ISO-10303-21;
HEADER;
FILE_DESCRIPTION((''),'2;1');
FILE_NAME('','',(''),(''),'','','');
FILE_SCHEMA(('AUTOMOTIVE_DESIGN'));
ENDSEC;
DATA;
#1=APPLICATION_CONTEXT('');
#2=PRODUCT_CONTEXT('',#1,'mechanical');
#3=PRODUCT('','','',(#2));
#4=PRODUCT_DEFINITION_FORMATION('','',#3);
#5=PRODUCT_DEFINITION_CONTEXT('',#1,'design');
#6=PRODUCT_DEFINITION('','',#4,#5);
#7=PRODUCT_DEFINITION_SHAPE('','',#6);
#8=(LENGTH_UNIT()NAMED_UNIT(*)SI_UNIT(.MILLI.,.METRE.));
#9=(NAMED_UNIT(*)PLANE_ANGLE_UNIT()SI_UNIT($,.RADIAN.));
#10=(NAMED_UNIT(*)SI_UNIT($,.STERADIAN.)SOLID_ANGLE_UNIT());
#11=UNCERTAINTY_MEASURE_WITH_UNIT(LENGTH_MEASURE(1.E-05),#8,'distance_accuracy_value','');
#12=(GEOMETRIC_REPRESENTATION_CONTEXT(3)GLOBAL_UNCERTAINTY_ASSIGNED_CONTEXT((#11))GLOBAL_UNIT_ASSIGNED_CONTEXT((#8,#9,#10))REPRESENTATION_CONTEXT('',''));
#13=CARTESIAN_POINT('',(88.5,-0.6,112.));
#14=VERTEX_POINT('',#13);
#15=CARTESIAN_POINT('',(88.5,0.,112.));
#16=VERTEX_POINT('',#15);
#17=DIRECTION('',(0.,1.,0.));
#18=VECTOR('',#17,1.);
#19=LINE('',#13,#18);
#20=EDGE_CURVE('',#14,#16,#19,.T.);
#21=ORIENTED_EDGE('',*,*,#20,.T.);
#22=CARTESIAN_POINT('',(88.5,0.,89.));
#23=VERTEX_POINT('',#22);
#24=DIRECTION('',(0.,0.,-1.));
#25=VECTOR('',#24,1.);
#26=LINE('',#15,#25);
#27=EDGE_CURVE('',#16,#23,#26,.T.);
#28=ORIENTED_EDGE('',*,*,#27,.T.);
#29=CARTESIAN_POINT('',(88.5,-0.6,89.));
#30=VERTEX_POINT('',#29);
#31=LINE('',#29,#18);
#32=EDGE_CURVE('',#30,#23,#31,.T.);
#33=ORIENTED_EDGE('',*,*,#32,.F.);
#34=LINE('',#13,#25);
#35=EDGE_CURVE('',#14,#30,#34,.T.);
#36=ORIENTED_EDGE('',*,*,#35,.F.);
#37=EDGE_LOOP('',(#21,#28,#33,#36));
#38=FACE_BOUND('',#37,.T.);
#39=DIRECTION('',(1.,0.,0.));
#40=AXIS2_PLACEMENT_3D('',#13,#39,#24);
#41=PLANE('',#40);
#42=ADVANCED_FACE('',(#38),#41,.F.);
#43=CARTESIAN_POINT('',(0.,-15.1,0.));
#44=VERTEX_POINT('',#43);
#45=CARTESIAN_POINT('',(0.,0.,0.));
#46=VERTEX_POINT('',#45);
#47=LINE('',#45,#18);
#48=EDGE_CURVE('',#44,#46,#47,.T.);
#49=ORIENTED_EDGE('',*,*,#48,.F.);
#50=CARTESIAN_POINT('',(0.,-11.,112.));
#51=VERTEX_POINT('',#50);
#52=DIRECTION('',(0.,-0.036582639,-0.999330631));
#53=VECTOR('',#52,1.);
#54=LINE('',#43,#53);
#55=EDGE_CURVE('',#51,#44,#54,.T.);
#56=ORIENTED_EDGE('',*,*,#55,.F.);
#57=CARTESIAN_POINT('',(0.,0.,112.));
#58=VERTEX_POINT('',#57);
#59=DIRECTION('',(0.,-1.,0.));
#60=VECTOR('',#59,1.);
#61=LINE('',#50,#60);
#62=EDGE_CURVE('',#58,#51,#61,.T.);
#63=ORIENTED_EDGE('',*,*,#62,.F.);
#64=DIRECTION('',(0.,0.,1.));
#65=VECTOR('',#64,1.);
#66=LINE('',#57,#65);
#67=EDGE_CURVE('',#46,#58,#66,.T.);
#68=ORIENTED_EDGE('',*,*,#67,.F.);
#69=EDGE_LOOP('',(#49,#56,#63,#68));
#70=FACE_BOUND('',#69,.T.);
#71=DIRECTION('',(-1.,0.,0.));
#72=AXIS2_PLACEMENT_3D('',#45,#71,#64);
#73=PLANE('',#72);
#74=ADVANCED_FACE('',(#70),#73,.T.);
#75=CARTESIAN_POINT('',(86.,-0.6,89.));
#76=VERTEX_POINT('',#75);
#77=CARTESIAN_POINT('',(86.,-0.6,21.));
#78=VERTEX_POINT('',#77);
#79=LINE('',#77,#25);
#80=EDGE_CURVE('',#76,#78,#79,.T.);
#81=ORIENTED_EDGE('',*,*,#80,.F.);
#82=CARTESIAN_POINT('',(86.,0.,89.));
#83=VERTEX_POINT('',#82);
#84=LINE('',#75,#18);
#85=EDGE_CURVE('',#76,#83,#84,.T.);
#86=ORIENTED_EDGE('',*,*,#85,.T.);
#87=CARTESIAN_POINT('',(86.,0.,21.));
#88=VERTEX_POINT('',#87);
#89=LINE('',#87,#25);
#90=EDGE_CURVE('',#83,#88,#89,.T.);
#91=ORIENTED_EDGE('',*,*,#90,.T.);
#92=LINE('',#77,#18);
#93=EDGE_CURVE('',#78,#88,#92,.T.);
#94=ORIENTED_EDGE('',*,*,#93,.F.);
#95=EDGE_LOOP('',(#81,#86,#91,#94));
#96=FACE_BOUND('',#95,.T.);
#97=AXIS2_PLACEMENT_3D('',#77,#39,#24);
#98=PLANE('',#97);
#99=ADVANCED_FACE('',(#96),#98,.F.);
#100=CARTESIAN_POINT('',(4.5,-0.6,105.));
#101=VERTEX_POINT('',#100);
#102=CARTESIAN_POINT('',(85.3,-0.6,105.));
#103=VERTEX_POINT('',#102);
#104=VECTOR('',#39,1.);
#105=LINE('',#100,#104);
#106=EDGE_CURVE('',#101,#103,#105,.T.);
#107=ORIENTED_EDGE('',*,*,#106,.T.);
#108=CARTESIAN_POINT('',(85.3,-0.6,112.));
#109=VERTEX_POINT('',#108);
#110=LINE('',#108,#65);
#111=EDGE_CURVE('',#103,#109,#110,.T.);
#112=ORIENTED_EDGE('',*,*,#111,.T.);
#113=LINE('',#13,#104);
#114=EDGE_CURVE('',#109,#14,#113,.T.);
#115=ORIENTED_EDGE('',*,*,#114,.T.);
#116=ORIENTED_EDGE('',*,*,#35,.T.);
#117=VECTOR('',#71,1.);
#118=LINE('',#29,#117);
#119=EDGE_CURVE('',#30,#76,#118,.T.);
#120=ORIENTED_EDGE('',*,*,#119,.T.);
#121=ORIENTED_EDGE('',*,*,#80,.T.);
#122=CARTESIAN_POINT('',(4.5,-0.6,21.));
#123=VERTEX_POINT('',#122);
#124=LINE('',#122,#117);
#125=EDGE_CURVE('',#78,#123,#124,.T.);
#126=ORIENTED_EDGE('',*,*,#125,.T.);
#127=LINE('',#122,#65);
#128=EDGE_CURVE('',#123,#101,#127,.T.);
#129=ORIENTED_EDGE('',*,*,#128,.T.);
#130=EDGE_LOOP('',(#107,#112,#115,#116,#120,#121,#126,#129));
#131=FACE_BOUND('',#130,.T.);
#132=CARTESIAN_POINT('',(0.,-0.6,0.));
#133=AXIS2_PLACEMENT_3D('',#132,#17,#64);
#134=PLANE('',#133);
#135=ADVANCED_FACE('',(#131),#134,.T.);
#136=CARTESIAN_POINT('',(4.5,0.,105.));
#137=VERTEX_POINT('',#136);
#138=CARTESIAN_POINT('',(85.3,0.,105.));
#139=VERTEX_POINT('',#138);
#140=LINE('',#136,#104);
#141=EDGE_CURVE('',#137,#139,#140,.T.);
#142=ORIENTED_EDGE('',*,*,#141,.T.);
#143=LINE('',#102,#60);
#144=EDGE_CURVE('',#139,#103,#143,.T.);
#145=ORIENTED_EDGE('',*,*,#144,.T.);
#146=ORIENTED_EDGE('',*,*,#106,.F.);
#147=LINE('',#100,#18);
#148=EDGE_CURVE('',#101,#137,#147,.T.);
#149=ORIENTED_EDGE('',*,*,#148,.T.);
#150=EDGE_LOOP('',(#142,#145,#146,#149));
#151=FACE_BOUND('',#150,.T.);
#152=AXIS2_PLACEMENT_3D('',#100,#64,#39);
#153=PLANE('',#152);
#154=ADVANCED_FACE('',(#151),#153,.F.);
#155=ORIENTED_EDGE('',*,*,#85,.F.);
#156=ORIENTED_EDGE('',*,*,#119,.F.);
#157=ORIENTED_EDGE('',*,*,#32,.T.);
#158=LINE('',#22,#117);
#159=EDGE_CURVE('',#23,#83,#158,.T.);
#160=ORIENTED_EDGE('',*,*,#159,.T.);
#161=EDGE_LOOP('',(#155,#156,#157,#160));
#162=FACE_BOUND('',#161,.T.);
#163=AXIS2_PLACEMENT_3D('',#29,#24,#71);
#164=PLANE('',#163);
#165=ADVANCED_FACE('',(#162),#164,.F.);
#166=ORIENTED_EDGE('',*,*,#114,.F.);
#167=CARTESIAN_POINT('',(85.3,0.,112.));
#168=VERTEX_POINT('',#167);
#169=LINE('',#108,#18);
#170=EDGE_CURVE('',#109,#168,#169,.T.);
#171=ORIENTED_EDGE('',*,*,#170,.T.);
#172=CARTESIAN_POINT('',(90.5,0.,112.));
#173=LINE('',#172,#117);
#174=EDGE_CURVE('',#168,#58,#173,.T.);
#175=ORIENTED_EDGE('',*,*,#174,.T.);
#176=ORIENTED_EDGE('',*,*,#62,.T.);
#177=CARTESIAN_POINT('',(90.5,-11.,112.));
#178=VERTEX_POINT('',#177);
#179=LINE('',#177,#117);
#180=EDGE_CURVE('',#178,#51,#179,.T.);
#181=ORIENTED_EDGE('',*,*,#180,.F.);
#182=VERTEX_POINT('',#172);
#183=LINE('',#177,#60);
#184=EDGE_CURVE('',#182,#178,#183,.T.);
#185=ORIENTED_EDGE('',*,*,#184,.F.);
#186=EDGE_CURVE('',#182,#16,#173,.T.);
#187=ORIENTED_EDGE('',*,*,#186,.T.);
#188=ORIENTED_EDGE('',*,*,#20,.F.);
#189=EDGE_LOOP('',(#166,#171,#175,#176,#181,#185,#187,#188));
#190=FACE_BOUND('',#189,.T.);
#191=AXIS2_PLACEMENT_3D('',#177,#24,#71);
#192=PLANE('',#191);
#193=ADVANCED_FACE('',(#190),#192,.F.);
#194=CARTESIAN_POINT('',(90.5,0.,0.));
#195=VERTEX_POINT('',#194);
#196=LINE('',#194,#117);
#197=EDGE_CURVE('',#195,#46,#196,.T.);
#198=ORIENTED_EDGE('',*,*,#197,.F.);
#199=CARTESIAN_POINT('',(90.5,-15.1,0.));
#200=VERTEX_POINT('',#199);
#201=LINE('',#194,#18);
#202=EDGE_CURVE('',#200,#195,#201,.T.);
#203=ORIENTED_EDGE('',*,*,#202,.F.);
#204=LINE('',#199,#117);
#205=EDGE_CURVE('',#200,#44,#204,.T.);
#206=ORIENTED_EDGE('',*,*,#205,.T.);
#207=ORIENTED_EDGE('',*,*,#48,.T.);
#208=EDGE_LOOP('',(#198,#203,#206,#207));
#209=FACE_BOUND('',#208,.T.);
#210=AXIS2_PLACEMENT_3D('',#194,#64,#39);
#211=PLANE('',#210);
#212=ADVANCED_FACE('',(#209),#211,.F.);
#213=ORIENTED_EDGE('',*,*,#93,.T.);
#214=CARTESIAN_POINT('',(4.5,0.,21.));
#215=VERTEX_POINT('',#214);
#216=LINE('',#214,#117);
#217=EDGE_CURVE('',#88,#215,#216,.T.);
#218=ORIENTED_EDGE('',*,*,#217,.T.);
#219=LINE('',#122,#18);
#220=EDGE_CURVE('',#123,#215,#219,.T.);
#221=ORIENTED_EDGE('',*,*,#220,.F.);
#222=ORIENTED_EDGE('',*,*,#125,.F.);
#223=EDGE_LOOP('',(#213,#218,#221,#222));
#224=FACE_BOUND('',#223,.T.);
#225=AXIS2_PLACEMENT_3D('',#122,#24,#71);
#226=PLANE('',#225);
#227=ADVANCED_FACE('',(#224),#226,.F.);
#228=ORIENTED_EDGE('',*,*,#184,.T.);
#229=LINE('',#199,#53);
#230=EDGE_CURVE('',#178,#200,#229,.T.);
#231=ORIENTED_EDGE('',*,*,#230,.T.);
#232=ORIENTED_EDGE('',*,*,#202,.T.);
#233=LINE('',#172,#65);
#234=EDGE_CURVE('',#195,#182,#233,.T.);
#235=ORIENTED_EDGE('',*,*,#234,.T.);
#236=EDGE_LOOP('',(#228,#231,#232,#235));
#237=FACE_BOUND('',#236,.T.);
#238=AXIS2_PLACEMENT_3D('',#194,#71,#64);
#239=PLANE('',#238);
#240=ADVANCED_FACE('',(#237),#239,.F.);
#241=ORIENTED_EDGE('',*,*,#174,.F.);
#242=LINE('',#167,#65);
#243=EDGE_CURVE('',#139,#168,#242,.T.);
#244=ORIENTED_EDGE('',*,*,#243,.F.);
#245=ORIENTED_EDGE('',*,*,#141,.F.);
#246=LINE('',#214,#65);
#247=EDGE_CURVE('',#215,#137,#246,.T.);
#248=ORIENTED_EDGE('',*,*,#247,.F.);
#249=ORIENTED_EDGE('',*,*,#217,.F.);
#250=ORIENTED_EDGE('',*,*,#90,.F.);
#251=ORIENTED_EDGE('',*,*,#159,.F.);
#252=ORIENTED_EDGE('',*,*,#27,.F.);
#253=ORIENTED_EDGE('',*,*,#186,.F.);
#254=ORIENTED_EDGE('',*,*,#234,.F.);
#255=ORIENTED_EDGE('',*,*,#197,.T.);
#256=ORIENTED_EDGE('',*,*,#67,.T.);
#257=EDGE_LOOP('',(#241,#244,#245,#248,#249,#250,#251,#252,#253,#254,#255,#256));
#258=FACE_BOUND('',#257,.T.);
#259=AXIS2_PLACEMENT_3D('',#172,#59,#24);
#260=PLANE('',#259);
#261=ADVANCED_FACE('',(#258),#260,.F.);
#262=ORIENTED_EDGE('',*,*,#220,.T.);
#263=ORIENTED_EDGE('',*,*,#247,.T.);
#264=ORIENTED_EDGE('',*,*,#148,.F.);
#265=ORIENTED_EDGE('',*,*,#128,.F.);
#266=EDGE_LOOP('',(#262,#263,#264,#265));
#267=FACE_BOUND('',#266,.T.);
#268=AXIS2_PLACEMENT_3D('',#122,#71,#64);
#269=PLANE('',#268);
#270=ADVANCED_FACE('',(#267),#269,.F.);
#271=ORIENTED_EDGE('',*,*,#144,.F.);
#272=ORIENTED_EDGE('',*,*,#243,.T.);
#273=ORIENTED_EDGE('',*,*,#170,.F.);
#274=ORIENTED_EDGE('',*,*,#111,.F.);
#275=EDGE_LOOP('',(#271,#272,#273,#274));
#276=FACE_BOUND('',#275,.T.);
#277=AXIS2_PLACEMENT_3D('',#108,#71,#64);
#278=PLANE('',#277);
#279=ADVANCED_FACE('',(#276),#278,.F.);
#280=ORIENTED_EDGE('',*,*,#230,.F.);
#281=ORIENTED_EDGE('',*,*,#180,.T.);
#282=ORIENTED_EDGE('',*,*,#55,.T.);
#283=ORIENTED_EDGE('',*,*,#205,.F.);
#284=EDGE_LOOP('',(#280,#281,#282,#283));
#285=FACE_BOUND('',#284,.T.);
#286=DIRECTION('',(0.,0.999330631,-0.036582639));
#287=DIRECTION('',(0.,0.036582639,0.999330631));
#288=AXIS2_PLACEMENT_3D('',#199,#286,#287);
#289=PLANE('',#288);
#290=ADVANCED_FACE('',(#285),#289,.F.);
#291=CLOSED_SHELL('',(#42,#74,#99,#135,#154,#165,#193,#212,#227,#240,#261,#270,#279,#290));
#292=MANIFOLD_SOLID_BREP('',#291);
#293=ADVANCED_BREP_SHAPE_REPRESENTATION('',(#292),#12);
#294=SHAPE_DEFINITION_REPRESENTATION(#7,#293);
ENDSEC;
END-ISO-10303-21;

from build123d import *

# Parameters (mm, degrees)
EXTRUDE_1_DEPTH     = 90.5
SKETCH_2_W          = 81.5
SKETCH_2_H          = 84
CUT_EXTRUDE_1_DEPTH = 0.6
SKETCH_3_W          = 3.2
SKETCH_3_H          = 23
CUT_EXTRUDE_2_DEPTH = 0.6


with BuildPart() as part:
    # 草图1 → 凸台-拉伸1 (new body)
    with BuildSketch(Plane(origin=(0, 0, 0), x_dir=(0, 0, -1), z_dir=(1, 0, 0))):
        Polygon((0, 0), (0, -15.1), (-112, -11), (-112, 0), align=None)
    extrude(amount=EXTRUDE_1_DEPTH)

    # 草图2 → 切除-拉伸1 (cut)
    with BuildSketch(Plane(origin=(0, 0, 0), x_dir=(1, 0, 0), z_dir=(0, 1, 0))):
        with Locations((45.25, -63)):
            Rectangle(SKETCH_2_W, SKETCH_2_H)
    extrude(amount=-CUT_EXTRUDE_1_DEPTH, mode=Mode.SUBTRACT)

    # 草图3 → 切除-拉伸2 (cut)
    with BuildSketch(Plane(origin=(0, 0, 0), x_dir=(1, 0, 0), z_dir=(0, 1, 0))):
        with Locations((86.9, -100.5)):
            Rectangle(SKETCH_3_W, SKETCH_3_H)
    extrude(amount=-CUT_EXTRUDE_2_DEPTH, mode=Mode.SUBTRACT)


solid = part.part
